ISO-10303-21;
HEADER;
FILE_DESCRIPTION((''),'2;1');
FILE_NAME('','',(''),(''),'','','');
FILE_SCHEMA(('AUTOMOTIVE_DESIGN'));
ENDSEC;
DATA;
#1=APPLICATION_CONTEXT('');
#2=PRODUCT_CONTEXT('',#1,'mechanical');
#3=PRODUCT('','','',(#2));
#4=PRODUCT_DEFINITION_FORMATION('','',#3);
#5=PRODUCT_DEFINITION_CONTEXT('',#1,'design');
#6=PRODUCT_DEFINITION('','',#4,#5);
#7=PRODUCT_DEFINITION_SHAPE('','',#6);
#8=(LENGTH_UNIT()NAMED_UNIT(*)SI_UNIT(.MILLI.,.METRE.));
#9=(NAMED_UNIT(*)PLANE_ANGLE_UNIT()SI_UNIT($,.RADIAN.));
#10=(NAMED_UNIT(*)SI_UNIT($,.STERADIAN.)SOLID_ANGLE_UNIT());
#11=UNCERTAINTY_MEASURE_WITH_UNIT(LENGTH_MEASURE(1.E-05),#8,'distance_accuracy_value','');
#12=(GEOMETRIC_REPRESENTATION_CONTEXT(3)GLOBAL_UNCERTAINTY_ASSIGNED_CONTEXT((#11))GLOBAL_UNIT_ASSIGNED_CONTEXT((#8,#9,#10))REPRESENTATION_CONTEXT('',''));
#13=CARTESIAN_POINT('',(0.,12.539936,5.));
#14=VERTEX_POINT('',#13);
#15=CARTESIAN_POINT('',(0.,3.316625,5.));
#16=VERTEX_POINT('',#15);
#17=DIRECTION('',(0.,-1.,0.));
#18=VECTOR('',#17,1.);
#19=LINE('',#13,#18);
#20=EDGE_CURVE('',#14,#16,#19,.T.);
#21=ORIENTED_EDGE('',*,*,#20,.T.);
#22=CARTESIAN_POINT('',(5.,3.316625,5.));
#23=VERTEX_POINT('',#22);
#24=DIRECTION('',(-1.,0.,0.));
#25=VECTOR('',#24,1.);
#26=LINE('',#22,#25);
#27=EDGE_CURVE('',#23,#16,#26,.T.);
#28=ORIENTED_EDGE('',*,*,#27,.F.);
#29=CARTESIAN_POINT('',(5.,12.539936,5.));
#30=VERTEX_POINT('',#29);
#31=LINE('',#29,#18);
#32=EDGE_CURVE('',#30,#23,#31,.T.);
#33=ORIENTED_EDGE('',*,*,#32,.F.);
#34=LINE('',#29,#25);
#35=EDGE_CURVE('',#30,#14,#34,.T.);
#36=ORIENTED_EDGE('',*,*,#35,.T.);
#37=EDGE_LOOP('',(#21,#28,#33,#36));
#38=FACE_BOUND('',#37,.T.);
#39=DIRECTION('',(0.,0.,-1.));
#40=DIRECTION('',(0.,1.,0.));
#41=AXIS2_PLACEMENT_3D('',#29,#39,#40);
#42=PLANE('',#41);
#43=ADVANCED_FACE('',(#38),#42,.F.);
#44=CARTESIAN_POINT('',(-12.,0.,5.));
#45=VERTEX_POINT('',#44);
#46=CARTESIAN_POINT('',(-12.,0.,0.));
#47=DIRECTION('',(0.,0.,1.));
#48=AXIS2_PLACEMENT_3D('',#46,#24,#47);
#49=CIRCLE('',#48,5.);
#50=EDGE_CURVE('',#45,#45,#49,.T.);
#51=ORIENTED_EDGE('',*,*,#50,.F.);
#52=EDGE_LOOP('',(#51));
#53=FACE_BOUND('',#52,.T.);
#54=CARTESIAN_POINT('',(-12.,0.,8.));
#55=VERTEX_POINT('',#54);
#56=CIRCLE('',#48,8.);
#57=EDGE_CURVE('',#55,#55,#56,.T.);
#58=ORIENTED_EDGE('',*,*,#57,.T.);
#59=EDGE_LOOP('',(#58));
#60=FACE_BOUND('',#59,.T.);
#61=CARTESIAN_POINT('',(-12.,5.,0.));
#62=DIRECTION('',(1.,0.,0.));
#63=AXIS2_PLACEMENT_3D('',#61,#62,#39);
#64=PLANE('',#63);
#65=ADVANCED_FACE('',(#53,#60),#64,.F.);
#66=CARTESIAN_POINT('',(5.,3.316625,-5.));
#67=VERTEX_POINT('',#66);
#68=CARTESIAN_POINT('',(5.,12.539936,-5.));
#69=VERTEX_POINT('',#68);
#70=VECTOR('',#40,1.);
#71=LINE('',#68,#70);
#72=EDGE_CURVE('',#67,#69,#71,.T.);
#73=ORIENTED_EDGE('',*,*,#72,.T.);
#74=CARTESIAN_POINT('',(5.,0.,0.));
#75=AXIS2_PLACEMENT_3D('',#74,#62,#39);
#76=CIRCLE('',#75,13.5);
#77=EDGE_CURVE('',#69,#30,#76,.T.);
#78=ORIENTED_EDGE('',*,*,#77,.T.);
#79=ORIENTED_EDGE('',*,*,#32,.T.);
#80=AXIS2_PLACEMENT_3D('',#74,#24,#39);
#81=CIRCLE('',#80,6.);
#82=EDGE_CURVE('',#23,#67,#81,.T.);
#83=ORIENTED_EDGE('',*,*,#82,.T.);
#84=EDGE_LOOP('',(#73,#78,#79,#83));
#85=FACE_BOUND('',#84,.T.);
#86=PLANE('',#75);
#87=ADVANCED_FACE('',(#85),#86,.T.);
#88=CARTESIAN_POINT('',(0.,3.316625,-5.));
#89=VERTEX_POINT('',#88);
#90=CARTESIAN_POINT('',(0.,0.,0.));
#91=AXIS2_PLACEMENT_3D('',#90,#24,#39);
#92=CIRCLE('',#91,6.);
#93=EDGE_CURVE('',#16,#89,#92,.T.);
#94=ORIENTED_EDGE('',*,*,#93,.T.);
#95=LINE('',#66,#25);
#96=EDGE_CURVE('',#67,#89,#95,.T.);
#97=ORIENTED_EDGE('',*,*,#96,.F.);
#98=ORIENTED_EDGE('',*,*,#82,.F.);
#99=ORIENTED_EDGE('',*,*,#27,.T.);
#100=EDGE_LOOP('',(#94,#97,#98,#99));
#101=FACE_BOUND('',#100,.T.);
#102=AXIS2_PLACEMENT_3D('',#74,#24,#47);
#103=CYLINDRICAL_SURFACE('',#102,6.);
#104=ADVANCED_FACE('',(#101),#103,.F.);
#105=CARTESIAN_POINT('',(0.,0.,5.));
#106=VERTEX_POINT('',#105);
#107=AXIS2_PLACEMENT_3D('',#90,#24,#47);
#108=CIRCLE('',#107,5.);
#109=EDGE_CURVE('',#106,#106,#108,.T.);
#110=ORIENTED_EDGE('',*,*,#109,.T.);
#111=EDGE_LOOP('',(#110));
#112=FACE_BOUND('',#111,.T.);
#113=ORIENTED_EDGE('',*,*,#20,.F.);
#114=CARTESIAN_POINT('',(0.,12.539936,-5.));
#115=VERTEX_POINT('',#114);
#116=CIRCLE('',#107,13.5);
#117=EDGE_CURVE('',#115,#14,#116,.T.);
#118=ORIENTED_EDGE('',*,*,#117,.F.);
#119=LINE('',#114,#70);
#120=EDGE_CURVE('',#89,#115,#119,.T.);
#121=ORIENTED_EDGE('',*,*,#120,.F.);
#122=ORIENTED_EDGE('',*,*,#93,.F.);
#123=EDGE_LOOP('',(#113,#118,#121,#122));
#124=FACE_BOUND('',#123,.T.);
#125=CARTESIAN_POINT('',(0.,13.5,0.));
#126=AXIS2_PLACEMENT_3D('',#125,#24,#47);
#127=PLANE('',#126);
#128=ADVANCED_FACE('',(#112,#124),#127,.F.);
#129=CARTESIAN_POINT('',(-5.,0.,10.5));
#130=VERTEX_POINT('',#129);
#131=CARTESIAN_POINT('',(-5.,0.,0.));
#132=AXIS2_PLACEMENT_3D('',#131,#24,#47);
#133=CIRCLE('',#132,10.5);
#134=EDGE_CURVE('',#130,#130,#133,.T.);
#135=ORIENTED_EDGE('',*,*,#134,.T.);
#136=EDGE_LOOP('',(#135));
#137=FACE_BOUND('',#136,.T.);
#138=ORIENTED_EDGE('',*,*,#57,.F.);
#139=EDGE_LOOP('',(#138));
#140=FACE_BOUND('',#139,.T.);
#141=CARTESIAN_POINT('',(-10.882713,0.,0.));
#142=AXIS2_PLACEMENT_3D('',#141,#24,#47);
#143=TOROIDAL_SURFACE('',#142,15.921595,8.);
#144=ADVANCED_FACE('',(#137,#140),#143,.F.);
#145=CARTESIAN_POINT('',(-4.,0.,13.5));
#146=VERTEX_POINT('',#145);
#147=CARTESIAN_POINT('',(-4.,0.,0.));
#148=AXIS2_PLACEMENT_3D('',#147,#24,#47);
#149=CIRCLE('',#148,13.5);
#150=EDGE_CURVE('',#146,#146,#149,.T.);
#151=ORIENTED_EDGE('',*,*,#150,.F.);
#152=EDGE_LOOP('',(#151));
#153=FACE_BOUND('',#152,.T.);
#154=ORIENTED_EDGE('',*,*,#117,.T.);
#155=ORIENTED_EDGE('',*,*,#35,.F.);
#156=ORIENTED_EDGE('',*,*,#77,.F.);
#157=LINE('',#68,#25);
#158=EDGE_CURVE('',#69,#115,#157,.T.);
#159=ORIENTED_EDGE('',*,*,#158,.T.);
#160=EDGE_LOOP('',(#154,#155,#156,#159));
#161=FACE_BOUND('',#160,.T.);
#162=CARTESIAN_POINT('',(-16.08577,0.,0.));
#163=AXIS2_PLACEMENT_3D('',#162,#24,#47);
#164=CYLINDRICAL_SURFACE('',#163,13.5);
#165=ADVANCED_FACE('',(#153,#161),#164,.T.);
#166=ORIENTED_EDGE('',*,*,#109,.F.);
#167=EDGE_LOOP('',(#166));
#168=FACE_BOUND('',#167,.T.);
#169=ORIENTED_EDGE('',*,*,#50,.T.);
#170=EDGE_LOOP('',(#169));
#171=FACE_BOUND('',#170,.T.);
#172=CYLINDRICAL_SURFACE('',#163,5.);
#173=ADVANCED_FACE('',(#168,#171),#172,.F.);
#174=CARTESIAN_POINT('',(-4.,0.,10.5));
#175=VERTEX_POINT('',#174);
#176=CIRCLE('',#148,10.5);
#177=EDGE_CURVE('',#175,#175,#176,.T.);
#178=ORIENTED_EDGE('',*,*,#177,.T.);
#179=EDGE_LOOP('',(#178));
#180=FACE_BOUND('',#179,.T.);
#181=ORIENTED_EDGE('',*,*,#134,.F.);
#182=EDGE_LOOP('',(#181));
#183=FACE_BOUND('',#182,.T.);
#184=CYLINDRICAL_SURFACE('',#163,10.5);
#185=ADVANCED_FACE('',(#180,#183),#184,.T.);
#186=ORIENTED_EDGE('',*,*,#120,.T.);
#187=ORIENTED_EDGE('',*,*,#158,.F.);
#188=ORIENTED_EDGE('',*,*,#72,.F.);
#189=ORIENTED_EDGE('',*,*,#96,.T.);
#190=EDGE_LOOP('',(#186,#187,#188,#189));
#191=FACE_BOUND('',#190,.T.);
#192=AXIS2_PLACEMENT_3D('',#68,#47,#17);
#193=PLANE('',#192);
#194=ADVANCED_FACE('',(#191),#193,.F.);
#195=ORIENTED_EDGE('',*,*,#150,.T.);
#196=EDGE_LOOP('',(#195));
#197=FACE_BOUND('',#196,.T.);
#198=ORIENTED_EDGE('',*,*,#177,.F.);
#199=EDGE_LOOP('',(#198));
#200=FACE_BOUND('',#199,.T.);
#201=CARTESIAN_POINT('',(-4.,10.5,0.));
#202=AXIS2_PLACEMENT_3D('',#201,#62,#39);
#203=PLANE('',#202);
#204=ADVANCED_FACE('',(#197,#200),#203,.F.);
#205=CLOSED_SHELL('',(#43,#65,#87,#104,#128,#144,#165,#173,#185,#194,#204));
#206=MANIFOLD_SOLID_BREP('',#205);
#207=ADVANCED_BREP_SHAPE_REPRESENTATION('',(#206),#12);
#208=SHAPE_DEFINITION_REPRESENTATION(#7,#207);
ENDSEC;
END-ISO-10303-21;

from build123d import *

# Parameters (mm, degrees)
EXTRUSION1_DEPTH = 5


with BuildPart() as part:
    # Esquisse1 → Révolution1 (revolve)
    with BuildSketch(Plane.XY, mode=Mode.PRIVATE) as r_volution1_sk:
        with BuildLine():
            Line((-12, 5), (-12, 8))
            ThreePointArc((-12, 8), (-8.192021355, 8.387659794), (-5, 10.5))
            Line((-5, 10.5), (-4, 10.5))
            Line((-4, 10.5), (-4, 13.5))
            Line((-4, 13.5), (0, 13.5))
            Line((0, 13.5), (0, 5))
            Line((0, 5), (-12, 5))
        make_face()
    revolve(r_volution1_sk.sketch.rotate(Axis((-16.08577031, 0, 0), (1, 0, 0)), 90), axis=Axis((-16.08577031, 0, 0), (1, 0, 0)))  # turned: the seam where the file's is

    # Esquisse2 → Extrusion1 (add)
    with BuildSketch(Plane(origin=(0, 0, 0), x_dir=(0, 0, -1), z_dir=(1, 0, 0))):
        with BuildLine():
            Line((-5, 12.539936204), (-5, 3.31662479))
            ThreePointArc((-5, 3.31662479), (0, 6), (5, 3.31662479))
            Line((5, 3.31662479), (5, 12.539936204))
            ThreePointArc((5, 12.539936204), (0, 13.5), (-5, 12.539936204))
        make_face()
    extrude(amount=EXTRUSION1_DEPTH)


solid = part.part
